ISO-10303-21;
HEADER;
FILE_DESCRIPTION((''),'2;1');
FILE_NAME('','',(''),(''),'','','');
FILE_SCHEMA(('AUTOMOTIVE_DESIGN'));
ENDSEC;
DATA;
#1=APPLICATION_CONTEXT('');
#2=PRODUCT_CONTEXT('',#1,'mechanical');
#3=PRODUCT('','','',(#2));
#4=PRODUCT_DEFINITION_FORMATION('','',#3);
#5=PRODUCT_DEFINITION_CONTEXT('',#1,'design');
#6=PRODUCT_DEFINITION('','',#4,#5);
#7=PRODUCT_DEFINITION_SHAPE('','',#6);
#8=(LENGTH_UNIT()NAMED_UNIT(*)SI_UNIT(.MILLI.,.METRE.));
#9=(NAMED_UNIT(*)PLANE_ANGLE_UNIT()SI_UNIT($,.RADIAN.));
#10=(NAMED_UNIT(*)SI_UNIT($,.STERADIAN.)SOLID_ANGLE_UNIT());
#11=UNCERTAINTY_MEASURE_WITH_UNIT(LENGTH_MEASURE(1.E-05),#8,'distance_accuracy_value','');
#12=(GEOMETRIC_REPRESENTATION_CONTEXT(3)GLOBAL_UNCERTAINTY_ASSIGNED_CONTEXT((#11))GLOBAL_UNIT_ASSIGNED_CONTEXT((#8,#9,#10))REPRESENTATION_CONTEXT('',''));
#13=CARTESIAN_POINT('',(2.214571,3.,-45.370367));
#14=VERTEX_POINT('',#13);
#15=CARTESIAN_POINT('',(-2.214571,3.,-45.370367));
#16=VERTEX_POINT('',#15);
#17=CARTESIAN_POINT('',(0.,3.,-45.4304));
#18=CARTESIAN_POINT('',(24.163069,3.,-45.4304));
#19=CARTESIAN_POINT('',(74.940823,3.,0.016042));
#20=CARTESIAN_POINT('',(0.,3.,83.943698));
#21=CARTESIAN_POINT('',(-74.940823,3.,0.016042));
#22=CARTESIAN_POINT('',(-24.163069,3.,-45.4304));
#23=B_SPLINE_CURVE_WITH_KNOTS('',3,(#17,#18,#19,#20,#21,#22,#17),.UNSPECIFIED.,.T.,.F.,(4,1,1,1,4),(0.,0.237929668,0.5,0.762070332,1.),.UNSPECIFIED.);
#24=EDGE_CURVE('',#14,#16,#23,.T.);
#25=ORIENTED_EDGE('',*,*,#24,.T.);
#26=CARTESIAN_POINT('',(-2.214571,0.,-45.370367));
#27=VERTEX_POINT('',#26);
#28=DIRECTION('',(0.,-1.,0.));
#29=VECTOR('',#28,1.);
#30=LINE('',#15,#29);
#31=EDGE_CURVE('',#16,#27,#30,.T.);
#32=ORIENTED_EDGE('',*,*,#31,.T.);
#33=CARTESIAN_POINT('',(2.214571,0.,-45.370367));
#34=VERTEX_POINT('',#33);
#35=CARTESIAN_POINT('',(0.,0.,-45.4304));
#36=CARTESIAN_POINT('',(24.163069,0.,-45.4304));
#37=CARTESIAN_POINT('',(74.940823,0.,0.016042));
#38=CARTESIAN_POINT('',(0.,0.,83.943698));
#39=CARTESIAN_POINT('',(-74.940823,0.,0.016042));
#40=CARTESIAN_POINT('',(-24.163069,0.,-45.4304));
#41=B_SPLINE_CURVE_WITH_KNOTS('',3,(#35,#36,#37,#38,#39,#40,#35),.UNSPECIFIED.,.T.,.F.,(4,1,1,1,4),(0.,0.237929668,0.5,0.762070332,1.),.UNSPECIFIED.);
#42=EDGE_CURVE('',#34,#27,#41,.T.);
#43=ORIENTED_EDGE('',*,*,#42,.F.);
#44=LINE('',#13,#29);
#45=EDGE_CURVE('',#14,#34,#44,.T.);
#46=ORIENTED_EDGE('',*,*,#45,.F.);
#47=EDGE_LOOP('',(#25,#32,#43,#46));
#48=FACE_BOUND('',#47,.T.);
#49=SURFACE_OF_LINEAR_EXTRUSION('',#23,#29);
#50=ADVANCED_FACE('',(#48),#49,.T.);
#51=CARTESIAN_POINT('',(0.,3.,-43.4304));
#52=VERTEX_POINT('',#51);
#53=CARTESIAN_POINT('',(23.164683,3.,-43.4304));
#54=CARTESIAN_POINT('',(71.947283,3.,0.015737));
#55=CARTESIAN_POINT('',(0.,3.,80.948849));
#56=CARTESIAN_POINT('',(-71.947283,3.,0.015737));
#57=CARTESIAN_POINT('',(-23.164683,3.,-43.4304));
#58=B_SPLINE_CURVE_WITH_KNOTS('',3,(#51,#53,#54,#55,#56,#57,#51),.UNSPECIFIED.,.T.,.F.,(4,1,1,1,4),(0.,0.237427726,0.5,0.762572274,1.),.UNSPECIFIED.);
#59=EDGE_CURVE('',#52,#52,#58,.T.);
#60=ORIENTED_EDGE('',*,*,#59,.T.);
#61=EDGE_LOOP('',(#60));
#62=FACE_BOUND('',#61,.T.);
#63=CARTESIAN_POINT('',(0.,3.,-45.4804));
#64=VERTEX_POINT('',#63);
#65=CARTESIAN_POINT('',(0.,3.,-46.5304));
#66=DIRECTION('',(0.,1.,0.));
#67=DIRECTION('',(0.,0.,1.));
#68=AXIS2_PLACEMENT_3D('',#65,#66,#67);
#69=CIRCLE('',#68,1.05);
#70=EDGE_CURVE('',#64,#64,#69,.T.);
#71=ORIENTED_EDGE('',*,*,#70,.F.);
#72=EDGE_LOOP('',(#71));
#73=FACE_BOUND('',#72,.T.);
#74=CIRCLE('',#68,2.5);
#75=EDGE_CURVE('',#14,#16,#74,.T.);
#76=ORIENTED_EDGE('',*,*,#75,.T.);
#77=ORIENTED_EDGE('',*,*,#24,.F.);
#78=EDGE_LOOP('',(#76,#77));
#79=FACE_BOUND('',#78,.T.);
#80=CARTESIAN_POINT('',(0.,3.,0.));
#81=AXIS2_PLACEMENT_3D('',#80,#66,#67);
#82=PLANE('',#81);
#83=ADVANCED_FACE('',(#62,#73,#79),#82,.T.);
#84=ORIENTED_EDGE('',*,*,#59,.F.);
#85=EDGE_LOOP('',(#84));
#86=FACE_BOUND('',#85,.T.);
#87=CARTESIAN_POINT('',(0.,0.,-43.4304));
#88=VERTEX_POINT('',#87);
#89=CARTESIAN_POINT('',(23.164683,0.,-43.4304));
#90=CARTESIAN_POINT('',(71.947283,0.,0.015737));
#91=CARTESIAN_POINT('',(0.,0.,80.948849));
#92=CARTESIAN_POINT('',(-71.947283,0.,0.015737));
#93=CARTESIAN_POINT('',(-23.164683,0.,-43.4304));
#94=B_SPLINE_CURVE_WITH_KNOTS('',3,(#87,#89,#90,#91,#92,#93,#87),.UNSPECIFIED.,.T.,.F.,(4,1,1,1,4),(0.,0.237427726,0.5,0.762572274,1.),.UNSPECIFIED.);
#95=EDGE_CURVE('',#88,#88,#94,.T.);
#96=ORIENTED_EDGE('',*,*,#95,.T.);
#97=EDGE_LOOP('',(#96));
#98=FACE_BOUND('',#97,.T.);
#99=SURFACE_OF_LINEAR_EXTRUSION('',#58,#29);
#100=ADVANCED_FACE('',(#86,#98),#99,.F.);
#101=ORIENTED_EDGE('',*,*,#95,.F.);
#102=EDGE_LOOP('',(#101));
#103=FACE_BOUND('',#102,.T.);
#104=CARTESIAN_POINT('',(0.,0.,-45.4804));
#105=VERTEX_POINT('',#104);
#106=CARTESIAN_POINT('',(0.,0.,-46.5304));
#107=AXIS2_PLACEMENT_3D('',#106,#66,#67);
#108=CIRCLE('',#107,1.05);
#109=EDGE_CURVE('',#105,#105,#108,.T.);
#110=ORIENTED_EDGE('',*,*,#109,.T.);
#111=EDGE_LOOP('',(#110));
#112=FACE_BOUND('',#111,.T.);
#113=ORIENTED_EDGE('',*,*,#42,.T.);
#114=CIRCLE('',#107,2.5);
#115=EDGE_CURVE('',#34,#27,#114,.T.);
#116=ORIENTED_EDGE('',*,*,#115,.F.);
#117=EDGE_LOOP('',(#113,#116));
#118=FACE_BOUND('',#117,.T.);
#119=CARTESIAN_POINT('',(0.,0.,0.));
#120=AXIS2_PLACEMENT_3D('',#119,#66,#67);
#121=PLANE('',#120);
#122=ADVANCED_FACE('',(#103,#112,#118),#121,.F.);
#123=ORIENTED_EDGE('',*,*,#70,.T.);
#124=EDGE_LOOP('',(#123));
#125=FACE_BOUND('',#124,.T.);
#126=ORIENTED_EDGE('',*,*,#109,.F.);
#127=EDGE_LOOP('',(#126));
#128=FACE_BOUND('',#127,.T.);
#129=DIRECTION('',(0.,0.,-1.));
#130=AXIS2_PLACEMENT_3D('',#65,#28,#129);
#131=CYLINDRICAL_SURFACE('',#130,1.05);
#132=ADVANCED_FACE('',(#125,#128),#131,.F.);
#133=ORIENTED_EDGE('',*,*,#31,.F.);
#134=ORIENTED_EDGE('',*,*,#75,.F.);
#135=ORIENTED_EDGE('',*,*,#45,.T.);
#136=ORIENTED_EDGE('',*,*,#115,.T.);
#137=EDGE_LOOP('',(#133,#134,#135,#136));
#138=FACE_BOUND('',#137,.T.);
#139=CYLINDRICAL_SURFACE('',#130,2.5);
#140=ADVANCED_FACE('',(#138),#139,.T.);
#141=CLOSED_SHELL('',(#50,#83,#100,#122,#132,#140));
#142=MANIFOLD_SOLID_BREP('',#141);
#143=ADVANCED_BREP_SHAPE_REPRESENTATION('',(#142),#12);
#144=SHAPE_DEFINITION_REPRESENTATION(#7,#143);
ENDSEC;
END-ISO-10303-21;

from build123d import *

# Parameters (mm, degrees)
SKETCH1_R           = 1.05
BOSS_EXTRUDE1_DEPTH = 3


with BuildPart() as part:
    # Sketch1 → Boss-Extrude1 (new body)
    # profile 1 of 2: a face of its own
    with BuildSketch(Plane(origin=(0, 0, 0), x_dir=(1, 0, 0), z_dir=(0, 1, 0))):
        with BuildLine():
            add(Edge.make_bspline(
                [(0, 45.4304), (0.738405562, 45.4304), (1.476811125, 45.410204053), (2.214570802, 45.370367171)],
                knots=[0, 0, 0, 0, 0.007270955, 0.007270955, 0.007270955, 0.007270955], degree=3))
            ThreePointArc((2.214570802, 45.370367171), (0, 49.0304), (-2.214570802, 45.370367171))
            add(Edge.make_bspline(
                [(-2.214570802, 45.370367171), (-1.476811125, 45.410204053), (-0.738405562, 45.4304), (0, 45.4304)],
                knots=[0.992729045, 0.992729045, 0.992729045, 0.992729045, 1, 1, 1, 1], degree=3))
        make_face()
        with Locations(Location((0, 46.5304, 0), (0, 0, 270))):
            Circle(SKETCH1_R, mode=Mode.SUBTRACT)
    # profile 2 of 2: a face of its own
    with BuildSketch(Plane(origin=(0, 0, 0), x_dir=(1, 0, 0), z_dir=(0, 1, 0))):
        with BuildLine():
            add(Edge.make_bspline(
                [(0, 45.4304), (24.163068627, 45.4304), (74.940823398, -0.016041509), (0, -83.943698437), (-74.940823398, -0.016041509), (-24.163068627, 45.4304), (0, 45.4304)],
                knots=[0, 0, 0, 0, 0.237929668, 0.5, 0.762070332, 1, 1, 1, 1], degree=3))
        make_face()
        with BuildLine():
            add(Edge.make_bspline(
                [(0, 43.4304), (23.164683238, 43.4304), (71.947282513, -0.015737083), (0, -80.948848585), (-71.947282513, -0.015737083), (-23.164683238, 43.4304), (0, 43.4304)],
                knots=[0, 0, 0, 0, 0.237427726, 0.5, 0.762572274, 1, 1, 1, 1], degree=3))
        make_face(mode=Mode.SUBTRACT)
    extrude(amount=BOSS_EXTRUDE1_DEPTH)


solid = part.part
